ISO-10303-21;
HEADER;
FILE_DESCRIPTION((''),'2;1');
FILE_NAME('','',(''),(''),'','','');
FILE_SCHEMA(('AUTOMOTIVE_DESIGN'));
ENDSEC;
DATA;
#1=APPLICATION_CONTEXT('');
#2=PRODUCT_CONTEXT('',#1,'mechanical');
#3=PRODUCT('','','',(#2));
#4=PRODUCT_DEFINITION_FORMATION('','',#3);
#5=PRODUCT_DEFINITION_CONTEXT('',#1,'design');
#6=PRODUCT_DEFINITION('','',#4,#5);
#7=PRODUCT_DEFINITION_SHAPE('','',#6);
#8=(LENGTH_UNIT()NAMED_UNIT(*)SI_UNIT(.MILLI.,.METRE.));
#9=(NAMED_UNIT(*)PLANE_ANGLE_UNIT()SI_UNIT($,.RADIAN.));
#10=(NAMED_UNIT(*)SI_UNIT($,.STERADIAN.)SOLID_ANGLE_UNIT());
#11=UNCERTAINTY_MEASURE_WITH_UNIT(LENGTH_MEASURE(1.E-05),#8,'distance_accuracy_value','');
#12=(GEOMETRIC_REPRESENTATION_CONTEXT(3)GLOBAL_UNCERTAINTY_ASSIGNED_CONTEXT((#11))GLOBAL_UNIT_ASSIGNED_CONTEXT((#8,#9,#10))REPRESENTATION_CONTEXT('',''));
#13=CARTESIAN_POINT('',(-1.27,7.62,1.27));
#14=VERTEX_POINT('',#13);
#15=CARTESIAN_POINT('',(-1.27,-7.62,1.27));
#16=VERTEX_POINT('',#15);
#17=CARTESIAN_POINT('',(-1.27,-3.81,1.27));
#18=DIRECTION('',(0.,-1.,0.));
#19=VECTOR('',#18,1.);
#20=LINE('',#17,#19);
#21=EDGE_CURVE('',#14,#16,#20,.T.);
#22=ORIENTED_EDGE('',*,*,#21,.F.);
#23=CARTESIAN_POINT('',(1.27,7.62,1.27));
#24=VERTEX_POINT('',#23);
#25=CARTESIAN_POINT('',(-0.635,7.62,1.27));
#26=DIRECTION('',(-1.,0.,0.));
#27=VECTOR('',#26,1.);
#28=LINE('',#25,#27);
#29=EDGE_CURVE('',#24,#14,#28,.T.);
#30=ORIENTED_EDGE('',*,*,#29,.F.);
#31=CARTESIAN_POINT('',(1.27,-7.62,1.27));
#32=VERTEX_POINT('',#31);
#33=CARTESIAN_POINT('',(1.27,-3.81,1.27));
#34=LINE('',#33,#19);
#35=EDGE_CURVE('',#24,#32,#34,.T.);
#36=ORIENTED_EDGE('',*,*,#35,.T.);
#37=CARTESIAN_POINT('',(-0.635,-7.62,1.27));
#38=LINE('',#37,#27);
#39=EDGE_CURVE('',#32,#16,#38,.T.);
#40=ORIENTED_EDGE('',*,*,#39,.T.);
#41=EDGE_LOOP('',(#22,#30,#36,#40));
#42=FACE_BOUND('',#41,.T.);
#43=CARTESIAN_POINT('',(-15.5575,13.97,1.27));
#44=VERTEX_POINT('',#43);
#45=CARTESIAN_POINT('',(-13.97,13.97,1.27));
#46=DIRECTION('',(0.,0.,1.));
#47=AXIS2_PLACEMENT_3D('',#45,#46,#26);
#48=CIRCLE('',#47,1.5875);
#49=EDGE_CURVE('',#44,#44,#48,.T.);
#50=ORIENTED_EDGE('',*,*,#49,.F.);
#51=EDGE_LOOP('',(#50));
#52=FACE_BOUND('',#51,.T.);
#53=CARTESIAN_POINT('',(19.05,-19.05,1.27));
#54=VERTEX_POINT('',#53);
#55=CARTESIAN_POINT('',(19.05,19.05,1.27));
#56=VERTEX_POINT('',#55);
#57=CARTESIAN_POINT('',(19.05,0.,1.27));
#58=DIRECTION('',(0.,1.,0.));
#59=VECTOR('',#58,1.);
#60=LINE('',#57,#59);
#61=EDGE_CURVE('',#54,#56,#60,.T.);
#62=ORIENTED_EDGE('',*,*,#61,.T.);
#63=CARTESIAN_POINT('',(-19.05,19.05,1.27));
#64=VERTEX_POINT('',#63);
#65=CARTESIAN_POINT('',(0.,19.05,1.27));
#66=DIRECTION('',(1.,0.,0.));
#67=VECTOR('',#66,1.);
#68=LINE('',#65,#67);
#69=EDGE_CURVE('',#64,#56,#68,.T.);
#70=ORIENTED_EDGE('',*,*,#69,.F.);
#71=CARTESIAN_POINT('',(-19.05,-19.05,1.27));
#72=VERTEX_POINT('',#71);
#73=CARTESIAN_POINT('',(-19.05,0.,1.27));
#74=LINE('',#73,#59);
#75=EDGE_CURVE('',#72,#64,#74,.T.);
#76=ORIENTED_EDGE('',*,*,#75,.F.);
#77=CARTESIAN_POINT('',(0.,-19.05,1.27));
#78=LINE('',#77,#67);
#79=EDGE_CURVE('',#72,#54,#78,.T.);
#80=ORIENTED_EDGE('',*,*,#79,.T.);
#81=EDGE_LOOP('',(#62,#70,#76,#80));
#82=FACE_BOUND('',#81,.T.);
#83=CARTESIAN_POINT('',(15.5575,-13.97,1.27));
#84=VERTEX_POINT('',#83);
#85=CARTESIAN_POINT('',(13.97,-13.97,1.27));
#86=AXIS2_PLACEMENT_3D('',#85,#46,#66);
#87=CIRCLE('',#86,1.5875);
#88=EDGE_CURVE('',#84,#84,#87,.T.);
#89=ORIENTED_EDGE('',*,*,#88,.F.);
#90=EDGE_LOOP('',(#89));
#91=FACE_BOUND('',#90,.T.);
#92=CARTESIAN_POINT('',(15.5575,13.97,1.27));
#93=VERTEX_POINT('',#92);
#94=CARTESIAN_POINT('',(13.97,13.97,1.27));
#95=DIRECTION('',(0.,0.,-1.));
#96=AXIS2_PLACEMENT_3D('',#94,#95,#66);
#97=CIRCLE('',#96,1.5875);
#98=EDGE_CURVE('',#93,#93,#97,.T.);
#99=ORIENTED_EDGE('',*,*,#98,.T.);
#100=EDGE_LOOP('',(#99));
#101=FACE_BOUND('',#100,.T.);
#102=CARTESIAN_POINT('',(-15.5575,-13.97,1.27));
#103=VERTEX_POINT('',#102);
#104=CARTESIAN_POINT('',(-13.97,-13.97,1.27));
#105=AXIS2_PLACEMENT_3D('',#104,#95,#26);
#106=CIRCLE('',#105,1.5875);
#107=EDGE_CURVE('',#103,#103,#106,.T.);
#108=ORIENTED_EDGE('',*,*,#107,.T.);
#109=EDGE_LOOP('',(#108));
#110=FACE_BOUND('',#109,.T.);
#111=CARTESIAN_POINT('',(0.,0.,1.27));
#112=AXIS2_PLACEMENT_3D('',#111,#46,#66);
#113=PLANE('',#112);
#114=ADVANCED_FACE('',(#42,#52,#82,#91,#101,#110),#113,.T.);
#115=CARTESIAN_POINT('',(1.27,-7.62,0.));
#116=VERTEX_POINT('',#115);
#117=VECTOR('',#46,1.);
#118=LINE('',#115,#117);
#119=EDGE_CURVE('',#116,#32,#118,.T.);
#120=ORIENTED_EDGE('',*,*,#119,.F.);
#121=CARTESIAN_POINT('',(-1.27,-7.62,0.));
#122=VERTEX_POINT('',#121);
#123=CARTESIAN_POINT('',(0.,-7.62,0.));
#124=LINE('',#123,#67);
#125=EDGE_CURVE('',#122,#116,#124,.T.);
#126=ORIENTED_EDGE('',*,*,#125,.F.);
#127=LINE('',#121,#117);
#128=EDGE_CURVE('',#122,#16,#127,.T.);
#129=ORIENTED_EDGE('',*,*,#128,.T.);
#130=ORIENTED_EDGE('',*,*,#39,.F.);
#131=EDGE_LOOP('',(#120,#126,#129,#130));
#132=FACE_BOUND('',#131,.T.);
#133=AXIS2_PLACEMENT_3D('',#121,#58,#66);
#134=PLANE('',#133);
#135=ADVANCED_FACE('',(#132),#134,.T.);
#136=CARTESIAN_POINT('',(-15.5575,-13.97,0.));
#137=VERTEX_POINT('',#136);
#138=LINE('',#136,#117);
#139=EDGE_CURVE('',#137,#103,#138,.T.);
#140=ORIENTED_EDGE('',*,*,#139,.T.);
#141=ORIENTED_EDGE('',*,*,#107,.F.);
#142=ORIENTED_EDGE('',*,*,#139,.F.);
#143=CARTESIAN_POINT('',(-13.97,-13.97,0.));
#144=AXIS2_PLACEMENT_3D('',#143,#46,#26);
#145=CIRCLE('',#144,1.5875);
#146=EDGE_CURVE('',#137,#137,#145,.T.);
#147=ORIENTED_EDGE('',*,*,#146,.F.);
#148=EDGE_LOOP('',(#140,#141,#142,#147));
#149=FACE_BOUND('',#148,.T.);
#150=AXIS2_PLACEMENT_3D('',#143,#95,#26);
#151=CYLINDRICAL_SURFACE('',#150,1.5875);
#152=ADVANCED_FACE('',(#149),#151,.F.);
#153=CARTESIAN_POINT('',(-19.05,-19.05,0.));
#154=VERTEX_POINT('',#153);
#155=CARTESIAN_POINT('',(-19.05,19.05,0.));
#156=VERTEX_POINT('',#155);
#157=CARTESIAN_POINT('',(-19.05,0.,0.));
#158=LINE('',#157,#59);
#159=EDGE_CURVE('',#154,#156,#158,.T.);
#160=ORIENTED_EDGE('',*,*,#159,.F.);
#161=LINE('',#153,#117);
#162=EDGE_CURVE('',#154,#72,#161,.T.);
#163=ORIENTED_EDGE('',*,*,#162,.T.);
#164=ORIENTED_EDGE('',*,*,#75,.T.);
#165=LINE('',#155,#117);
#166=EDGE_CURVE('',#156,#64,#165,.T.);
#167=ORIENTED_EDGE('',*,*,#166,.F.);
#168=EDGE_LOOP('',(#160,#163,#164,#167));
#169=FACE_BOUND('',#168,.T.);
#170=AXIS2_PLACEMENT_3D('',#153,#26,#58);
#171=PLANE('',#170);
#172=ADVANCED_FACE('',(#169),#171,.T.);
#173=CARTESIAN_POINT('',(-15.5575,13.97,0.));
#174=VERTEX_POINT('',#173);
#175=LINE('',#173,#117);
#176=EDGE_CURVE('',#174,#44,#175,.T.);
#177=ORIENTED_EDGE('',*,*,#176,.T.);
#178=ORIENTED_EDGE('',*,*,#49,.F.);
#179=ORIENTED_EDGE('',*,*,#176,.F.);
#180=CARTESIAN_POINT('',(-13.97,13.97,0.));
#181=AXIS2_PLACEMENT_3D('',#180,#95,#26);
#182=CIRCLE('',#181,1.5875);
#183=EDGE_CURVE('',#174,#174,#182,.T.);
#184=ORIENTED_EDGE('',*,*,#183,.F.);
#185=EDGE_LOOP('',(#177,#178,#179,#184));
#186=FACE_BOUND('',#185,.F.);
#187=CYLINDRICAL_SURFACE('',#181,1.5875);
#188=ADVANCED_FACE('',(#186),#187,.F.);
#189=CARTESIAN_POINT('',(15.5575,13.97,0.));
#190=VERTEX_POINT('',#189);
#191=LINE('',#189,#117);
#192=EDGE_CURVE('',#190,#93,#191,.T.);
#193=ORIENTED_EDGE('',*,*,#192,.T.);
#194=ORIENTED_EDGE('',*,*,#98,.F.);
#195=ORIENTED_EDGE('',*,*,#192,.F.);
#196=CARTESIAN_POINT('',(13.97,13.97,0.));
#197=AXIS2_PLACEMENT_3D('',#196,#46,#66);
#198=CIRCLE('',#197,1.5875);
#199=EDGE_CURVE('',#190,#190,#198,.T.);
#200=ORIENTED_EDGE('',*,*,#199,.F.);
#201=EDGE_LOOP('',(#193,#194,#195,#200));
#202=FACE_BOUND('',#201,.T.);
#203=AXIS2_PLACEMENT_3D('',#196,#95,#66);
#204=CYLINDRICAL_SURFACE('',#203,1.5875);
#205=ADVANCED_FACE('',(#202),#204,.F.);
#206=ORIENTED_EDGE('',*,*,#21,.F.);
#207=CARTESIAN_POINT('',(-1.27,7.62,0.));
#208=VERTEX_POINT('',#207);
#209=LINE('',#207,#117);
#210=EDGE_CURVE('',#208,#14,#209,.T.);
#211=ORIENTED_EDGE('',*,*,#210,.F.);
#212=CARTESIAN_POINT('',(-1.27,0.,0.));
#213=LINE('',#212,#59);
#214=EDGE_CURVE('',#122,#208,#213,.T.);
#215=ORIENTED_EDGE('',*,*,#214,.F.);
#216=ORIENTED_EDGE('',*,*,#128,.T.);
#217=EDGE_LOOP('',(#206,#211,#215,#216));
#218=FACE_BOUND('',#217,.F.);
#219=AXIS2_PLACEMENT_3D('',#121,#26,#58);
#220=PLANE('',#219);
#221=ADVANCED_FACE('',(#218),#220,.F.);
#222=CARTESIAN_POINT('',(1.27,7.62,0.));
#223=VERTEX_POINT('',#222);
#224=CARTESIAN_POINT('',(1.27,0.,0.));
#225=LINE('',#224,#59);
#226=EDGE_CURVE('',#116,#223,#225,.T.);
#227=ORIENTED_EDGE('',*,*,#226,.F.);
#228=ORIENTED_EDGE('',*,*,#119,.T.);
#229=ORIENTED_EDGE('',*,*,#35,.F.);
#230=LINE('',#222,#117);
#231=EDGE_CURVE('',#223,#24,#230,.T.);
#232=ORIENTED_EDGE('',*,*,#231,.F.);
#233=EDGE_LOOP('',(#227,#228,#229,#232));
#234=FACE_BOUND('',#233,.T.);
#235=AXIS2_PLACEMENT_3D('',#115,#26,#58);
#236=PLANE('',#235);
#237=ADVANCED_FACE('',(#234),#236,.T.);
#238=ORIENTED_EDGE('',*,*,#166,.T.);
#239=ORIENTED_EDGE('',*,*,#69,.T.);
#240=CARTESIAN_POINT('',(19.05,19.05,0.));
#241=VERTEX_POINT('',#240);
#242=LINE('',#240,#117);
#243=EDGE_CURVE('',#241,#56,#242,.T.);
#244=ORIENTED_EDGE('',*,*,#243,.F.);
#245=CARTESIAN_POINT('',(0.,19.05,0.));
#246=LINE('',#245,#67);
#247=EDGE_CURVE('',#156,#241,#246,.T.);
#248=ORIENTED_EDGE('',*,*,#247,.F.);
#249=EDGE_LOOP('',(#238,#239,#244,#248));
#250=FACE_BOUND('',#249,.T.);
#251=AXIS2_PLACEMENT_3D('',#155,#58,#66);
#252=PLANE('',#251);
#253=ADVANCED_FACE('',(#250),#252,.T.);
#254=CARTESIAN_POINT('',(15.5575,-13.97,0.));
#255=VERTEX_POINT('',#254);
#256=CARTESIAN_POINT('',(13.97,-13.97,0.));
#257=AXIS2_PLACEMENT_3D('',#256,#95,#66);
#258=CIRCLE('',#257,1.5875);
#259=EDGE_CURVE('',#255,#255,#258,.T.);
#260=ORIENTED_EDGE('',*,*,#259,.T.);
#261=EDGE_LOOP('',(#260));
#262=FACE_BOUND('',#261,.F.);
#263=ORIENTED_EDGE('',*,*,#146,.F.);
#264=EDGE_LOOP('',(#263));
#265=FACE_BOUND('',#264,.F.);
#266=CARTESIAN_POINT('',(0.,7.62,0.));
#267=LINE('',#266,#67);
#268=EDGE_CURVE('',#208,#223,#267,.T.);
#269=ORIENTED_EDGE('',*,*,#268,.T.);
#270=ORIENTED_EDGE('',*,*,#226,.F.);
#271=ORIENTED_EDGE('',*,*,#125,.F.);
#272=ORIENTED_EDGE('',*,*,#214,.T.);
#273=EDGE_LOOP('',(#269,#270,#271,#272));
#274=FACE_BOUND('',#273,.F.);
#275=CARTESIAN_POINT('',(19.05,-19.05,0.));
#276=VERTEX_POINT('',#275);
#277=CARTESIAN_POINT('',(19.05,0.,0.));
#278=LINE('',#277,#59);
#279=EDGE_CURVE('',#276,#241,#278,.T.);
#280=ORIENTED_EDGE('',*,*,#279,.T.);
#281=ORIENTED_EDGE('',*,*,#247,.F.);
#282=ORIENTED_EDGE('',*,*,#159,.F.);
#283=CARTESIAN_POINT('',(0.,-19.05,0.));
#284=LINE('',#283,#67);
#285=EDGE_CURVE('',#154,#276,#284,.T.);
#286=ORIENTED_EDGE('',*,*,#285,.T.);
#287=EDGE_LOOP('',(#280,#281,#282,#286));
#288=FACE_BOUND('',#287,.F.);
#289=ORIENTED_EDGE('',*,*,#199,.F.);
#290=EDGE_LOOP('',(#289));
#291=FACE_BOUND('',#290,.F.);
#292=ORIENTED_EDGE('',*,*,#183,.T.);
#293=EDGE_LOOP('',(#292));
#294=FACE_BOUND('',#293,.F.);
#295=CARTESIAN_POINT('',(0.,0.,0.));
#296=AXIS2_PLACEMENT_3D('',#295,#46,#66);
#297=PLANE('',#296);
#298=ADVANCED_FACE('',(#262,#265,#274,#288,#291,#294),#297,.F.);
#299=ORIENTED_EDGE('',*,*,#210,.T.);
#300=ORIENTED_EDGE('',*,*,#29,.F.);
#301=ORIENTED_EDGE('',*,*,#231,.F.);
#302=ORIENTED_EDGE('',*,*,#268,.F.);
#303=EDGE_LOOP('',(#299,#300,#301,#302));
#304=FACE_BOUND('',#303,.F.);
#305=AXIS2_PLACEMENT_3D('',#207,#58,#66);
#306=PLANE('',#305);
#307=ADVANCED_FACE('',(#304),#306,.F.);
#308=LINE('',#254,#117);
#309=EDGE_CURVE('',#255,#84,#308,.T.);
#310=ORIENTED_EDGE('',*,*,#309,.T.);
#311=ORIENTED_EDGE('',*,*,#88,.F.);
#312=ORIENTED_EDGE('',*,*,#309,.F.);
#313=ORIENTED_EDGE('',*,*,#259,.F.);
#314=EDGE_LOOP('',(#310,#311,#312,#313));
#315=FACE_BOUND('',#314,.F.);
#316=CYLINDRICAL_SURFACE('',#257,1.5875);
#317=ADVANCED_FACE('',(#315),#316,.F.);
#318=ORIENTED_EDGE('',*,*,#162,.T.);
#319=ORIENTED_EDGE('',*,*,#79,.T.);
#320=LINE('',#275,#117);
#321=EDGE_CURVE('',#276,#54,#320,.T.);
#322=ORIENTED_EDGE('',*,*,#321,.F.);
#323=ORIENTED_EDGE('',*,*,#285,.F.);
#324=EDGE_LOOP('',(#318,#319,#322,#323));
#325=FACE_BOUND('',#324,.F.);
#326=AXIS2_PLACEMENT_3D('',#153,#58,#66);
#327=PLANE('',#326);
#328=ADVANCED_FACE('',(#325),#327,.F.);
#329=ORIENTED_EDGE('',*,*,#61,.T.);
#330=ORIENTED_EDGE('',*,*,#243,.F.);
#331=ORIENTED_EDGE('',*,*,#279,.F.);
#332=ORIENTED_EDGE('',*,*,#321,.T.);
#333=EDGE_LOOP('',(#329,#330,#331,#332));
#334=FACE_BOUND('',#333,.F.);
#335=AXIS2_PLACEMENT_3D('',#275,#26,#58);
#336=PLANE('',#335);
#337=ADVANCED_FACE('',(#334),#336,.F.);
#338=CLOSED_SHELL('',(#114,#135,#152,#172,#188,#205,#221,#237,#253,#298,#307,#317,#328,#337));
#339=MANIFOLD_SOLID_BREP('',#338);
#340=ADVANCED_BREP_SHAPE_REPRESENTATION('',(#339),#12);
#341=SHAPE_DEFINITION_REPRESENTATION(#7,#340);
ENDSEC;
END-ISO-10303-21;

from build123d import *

# Parameters (mm, degrees)
F0_W     = 38.1
F0_H     = 38.1
F1_DEPTH = 1.27
F3_R     = 1.5875
F4_DEPTH = 25.4
F7_W     = 2.54
F7_H     = 15.24
F8_DEPTH = 25.4


with BuildPart() as f1:
    # F0 (on Top) → F1 (new body)
    with BuildSketch(Plane.XY):
        Rectangle(F0_W, F0_H)
    extrude(amount=F1_DEPTH)

    # F3 (on Top) → F4 (cut)
    with BuildSketch(Plane.XY):
        with Locations((13.97, 13.97)):
            Circle(F3_R)
    extrude(amount=F4_DEPTH, mode=Mode.SUBTRACT)

    # F5: F1 across plane


with BuildPart() as f1_1:
    add(f1.part)
    add(f1.part.mirror(Plane.YZ), mode=Mode.INTERSECT)

    # F6: F1 across plane


with BuildPart() as f1_2:
    add(f1_1.part)
    add(f1_1.part.mirror(Plane.XZ), mode=Mode.INTERSECT)

    # F7 (on Top) → F8 (cut)
    with BuildSketch(Plane.XY):
        Rectangle(F7_W, F7_H)
    extrude(amount=F8_DEPTH, mode=Mode.SUBTRACT)


solid = f1_2.part
